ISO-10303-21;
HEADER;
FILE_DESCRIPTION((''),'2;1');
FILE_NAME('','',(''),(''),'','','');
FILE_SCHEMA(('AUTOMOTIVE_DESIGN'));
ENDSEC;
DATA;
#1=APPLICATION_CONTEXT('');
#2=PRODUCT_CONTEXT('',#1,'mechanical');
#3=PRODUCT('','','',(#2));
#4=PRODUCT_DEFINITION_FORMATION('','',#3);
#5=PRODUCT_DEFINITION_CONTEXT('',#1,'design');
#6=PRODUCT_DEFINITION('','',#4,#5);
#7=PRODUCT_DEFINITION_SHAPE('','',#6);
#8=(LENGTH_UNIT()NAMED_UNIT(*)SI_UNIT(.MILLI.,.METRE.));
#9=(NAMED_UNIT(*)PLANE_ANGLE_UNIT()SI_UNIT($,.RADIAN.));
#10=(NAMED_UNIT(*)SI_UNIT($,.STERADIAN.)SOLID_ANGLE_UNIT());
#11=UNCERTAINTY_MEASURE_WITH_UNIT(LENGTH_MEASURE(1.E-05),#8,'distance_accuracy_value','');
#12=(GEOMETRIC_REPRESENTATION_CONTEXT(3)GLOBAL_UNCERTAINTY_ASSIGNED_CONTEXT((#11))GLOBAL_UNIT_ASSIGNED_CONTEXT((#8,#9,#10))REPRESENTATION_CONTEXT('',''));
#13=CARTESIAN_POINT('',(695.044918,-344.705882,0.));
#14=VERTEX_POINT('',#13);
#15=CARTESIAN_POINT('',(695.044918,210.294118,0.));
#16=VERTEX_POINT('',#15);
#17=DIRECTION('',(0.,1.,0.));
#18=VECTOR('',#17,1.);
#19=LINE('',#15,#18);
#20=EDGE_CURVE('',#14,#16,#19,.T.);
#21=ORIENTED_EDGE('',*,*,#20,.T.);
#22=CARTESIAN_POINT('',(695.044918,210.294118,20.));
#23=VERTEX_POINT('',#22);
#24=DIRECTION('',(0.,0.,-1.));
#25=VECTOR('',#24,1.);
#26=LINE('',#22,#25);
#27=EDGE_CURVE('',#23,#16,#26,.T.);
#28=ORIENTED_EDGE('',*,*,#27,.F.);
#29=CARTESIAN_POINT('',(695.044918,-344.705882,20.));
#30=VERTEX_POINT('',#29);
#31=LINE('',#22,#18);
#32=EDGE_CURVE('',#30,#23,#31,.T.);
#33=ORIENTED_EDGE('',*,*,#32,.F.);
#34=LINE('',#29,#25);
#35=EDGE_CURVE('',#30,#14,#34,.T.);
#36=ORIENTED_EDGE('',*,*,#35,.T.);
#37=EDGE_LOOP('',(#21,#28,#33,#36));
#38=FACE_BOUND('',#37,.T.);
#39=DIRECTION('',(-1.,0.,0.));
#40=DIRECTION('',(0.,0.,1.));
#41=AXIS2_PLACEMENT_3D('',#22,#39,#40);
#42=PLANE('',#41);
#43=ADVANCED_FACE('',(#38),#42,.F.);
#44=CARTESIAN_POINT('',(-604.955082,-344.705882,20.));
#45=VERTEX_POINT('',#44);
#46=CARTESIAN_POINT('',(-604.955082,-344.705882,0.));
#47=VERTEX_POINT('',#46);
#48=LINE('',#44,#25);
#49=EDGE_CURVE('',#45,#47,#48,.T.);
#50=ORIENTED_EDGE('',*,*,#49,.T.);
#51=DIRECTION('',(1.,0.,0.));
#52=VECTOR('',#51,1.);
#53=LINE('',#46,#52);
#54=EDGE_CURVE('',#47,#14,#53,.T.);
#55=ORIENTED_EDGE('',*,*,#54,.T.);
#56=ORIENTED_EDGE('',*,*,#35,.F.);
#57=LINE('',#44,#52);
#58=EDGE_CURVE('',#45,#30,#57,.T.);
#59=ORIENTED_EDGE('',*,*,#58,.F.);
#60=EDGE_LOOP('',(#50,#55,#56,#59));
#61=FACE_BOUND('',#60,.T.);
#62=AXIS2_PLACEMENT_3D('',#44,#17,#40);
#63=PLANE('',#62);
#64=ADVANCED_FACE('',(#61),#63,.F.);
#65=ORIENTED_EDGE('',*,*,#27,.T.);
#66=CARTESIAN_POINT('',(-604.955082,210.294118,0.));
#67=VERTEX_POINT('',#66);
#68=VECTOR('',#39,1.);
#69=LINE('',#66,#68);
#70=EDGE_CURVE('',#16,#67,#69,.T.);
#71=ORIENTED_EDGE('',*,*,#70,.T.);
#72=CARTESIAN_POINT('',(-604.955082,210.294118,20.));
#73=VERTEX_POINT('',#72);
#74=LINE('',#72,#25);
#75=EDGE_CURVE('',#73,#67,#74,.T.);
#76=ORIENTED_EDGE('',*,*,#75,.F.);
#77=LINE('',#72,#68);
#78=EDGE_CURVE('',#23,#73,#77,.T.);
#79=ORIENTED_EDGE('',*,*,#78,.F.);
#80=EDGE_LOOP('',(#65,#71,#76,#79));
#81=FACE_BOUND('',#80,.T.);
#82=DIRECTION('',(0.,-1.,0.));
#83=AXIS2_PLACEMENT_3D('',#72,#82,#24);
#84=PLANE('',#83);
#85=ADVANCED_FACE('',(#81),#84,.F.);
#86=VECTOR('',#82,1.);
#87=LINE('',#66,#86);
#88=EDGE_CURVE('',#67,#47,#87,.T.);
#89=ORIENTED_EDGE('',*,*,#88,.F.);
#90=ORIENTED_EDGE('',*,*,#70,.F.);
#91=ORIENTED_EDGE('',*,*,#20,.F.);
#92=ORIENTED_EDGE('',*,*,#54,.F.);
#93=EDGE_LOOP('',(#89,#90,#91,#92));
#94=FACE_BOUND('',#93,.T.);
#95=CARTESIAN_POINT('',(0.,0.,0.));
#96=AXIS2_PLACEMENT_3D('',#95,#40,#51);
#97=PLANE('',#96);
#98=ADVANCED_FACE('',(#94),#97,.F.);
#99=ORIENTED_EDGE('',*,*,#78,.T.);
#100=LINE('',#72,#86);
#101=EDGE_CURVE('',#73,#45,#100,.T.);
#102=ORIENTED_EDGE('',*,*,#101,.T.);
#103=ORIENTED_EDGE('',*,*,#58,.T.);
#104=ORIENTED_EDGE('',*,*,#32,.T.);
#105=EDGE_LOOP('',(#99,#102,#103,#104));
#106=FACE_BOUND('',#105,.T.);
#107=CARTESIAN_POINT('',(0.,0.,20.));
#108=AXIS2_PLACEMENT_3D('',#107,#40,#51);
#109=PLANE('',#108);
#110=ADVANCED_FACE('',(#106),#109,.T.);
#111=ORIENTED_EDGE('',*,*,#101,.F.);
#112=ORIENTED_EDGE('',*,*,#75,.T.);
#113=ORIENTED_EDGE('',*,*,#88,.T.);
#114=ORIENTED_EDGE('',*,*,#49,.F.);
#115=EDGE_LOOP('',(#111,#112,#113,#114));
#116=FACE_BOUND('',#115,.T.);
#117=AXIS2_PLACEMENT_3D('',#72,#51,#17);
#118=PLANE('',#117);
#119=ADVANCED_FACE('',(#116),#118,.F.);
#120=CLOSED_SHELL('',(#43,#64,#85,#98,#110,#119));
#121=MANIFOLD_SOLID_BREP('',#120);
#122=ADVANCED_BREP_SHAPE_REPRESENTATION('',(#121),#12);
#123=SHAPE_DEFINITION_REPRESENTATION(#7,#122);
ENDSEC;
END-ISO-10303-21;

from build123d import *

# Parameters (mm, degrees)
CROQUIS1_W              = 1300
CROQUIS1_H              = 555
SALIENTE_EXTRUIR1_DEPTH = 20


with BuildPart() as part:
    # Croquis1 → Saliente-Extruir1 (new body)
    with BuildSketch(Plane.XY):
        with Locations((45.04491783, -67.205882353)):
            Rectangle(CROQUIS1_W, CROQUIS1_H)
    extrude(amount=SALIENTE_EXTRUIR1_DEPTH)


solid = part.part
